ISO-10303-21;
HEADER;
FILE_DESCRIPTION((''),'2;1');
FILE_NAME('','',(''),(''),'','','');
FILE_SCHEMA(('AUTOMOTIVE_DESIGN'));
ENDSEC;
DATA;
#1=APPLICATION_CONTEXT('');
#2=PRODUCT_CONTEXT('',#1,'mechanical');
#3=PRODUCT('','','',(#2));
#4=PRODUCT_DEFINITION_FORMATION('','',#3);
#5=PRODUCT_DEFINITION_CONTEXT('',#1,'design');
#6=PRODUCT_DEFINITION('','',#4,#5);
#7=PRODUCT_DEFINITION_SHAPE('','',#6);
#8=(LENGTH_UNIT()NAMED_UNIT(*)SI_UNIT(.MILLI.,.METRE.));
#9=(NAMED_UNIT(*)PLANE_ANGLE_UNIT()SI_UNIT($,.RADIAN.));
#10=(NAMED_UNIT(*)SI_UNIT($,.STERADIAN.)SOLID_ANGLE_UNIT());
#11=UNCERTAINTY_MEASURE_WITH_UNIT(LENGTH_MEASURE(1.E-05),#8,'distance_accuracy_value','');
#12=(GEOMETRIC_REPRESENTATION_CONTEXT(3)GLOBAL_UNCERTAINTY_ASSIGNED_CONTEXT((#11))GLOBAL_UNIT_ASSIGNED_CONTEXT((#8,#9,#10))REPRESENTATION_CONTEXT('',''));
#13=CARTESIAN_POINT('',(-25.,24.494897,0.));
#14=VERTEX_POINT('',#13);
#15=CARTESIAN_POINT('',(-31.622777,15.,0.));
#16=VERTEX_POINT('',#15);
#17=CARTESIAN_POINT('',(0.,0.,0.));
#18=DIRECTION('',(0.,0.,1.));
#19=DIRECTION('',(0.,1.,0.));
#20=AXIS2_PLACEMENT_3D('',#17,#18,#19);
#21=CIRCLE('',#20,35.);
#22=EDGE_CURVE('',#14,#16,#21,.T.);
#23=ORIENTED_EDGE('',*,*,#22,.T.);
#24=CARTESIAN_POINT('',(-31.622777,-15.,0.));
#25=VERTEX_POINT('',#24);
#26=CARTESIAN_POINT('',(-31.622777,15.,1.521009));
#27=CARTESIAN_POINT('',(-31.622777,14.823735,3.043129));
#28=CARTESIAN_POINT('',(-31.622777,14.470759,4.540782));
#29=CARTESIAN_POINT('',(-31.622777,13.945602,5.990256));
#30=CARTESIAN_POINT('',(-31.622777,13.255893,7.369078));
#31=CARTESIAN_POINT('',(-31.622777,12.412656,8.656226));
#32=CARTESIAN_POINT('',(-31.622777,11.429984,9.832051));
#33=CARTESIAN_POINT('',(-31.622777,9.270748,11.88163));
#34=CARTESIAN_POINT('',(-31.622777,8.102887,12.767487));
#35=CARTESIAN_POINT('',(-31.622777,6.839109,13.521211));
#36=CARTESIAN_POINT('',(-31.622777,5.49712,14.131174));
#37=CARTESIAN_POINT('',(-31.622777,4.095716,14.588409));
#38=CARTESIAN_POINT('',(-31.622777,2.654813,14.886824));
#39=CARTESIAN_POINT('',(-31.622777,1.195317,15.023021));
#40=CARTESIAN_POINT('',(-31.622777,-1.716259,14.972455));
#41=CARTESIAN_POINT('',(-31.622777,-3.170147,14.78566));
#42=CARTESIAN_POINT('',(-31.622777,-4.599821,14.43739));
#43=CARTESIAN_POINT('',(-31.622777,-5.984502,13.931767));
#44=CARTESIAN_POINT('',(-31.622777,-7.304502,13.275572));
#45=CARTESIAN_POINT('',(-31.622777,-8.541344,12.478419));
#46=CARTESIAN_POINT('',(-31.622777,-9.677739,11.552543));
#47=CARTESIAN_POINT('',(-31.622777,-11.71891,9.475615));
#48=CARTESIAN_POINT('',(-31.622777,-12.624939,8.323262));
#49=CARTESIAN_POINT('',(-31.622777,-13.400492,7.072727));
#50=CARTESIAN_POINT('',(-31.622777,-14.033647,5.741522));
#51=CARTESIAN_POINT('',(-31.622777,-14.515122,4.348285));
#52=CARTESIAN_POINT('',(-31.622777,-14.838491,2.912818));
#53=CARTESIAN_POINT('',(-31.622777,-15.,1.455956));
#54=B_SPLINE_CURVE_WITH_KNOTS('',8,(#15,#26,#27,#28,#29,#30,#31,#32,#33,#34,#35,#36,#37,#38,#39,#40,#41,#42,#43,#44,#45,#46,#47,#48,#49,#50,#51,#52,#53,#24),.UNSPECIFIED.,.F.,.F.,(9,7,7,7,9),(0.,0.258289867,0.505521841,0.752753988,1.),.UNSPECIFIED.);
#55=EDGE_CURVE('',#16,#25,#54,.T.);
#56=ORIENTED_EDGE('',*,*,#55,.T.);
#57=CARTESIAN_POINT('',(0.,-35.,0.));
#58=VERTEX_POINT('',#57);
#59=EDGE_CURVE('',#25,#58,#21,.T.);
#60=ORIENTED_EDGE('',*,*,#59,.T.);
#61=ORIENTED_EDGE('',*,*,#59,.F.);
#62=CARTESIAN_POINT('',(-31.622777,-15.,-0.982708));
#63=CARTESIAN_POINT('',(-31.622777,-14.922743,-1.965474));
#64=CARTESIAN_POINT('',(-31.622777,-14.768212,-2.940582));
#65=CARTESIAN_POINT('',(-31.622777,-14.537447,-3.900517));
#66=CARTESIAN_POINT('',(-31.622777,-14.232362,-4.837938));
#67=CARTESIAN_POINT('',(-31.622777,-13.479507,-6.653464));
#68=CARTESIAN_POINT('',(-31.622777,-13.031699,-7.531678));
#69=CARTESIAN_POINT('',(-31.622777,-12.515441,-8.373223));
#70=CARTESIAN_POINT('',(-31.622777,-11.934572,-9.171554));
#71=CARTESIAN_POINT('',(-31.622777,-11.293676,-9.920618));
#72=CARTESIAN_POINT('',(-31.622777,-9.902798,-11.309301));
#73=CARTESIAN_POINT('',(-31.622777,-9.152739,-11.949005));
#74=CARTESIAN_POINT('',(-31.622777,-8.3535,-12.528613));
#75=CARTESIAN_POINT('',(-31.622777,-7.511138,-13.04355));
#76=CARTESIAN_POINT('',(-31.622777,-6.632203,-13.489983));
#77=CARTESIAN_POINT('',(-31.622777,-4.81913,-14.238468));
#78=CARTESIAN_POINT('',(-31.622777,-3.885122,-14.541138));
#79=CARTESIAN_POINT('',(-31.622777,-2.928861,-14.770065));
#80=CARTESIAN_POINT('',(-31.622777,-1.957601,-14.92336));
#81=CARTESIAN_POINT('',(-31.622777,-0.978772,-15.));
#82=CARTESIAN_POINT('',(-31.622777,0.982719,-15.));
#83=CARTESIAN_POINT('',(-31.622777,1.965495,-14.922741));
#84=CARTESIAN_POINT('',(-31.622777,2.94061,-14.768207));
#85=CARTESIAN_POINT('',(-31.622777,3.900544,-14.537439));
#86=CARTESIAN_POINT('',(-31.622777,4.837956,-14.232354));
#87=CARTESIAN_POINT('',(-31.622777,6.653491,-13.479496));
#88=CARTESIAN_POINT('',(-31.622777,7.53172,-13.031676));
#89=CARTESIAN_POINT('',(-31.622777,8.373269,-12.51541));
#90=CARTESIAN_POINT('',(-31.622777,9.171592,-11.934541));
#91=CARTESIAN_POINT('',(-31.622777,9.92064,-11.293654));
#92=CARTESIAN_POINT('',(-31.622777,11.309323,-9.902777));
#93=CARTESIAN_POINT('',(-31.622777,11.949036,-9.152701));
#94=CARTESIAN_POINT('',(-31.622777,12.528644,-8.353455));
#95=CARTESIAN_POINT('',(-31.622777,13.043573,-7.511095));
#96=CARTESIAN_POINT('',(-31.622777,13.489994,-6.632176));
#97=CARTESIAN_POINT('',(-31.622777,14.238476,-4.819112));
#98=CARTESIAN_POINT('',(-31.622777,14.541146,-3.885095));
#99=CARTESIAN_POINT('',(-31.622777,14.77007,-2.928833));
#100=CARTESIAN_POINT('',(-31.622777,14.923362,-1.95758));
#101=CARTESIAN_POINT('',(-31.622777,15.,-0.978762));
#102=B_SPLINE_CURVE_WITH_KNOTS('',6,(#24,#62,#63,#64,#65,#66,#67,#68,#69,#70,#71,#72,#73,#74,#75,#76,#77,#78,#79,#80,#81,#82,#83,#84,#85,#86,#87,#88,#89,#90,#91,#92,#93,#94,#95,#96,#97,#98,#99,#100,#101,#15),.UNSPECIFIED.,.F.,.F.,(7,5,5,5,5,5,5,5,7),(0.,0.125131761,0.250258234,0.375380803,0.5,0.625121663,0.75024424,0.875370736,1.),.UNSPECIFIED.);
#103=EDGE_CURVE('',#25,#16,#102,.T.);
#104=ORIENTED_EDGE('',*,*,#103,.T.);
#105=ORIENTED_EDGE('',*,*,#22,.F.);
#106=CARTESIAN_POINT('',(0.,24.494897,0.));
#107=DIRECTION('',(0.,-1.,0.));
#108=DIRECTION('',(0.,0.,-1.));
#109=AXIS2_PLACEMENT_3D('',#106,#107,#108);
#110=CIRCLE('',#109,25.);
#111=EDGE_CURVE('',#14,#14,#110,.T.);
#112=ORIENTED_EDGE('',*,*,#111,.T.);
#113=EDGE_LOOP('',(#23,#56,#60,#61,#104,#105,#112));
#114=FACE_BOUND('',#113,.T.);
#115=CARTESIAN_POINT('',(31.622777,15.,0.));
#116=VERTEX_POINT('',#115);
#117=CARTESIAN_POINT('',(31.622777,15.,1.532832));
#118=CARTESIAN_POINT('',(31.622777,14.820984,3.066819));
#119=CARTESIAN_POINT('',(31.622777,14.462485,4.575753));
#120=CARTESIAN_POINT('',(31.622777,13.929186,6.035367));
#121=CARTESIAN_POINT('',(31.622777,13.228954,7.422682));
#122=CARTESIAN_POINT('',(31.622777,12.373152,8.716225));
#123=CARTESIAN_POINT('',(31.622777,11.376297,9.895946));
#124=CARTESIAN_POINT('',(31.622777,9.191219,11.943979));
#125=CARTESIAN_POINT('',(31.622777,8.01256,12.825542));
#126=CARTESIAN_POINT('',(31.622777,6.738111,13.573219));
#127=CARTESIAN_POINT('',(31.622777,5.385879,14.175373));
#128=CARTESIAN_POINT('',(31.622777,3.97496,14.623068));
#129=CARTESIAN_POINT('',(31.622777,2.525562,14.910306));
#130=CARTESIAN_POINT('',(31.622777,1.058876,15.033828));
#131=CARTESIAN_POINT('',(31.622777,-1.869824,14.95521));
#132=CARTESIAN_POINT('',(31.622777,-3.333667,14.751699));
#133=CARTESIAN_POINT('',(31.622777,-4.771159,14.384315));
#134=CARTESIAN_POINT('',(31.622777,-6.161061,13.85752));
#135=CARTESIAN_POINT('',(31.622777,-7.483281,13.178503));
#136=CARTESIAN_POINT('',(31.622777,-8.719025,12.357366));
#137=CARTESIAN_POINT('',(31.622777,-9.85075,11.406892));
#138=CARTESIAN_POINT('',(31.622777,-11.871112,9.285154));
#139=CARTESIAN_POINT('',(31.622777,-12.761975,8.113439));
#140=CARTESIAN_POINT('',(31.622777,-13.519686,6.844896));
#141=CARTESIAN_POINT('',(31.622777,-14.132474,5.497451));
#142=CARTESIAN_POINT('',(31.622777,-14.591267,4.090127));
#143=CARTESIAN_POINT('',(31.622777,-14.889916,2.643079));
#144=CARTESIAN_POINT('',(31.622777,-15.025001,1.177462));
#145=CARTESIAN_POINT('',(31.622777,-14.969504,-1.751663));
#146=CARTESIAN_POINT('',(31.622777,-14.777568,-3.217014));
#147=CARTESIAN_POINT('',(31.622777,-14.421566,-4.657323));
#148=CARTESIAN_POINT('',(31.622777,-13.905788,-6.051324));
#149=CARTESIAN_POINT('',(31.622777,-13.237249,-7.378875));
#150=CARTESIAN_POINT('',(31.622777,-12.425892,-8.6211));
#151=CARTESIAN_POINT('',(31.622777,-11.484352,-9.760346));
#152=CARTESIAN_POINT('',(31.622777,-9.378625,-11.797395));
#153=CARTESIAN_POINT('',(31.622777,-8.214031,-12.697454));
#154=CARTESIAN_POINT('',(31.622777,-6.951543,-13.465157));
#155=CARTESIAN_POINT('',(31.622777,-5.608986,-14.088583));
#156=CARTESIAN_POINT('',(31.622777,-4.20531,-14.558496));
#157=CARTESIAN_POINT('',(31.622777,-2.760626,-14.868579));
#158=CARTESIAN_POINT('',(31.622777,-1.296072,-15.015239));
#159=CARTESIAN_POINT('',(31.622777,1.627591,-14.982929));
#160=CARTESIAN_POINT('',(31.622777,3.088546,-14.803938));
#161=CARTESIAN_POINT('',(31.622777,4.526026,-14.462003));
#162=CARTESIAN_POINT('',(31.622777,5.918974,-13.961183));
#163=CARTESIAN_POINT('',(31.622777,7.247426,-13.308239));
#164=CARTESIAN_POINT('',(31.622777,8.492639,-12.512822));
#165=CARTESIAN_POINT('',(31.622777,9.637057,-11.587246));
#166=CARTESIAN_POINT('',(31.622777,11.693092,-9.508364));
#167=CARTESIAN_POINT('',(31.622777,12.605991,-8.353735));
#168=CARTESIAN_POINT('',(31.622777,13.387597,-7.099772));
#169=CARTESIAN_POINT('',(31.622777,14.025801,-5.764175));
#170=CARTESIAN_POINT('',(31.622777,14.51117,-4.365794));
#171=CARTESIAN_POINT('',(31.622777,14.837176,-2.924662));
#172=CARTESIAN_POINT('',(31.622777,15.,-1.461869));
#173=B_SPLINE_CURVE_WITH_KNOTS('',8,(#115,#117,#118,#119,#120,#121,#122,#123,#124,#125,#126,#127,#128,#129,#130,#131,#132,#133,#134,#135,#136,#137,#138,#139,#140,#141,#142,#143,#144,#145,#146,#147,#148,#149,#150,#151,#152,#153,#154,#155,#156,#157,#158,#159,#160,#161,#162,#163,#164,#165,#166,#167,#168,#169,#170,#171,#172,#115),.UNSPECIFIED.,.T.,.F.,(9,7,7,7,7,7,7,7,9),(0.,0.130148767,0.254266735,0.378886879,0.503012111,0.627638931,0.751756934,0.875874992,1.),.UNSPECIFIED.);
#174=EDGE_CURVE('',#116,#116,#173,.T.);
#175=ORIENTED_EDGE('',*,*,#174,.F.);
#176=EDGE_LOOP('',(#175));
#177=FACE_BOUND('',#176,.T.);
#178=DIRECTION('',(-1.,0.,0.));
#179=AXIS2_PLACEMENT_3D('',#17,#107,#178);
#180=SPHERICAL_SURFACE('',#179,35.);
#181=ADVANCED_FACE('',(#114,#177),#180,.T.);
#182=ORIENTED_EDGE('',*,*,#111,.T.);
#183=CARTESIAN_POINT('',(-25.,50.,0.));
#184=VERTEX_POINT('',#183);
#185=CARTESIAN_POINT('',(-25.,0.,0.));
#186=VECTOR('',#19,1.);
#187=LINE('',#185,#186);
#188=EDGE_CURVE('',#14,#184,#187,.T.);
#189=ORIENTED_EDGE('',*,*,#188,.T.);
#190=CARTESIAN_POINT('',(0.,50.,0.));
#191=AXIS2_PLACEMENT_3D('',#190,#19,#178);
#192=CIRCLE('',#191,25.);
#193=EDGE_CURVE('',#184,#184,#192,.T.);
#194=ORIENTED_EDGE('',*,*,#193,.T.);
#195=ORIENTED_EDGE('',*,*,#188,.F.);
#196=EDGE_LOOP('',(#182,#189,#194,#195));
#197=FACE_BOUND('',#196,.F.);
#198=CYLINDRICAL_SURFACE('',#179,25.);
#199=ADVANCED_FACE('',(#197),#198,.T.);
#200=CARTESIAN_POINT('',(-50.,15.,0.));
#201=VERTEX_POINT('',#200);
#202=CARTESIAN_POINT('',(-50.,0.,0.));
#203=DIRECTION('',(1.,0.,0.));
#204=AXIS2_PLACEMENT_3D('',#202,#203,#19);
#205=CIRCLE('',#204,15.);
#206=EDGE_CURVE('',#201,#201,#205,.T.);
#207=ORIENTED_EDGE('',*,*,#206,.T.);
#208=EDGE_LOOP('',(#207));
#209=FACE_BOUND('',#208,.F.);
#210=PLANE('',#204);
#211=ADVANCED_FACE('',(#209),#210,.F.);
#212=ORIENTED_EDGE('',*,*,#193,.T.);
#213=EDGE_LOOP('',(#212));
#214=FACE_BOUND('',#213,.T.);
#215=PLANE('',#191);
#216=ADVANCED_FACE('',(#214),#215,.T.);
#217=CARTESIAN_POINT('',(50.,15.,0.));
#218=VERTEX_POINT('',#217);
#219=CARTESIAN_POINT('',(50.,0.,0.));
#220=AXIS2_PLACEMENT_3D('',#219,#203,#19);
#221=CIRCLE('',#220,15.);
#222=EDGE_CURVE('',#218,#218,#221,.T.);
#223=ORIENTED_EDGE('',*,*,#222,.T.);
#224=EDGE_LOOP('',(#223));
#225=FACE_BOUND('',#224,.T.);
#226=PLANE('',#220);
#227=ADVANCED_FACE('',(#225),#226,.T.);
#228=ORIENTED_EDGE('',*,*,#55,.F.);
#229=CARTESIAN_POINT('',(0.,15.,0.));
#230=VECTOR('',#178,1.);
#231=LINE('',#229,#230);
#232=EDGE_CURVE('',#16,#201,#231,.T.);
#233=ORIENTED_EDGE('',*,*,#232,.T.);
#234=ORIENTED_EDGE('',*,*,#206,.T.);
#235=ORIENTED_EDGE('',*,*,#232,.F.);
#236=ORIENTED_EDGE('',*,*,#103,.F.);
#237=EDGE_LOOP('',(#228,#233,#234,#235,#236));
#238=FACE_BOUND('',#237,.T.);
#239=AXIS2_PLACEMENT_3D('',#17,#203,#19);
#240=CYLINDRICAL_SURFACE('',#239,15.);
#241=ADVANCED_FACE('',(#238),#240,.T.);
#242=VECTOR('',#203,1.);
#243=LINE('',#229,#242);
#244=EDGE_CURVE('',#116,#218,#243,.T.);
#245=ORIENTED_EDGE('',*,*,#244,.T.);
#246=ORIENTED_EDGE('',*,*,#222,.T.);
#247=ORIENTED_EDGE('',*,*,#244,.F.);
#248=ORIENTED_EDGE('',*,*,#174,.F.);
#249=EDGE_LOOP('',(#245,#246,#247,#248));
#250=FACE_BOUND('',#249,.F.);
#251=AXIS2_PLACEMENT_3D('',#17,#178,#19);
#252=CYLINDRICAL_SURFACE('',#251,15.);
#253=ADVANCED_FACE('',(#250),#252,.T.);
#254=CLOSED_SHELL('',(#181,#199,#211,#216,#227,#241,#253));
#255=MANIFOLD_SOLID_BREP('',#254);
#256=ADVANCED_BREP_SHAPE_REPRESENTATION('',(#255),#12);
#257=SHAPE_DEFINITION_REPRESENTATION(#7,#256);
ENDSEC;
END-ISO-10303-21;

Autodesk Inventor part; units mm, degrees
ref_plane "XY Plane" through (0, 0, 0) normal (0, 0, 1) x (1, 0, 0)
sketch "スケッチ1" plane through (0, 0, 0) normal (0, 0, 1) x (1, 0, 0)
  arc A0 (0, 35) -> (0, -35) centre (0, 0) ccw
  line L0 (0, 35) -> (0, -35)
  dimension "d0" = 70
revolve "回転1" add sketch "スケッチ1" angle 360 about axis through (0, 35, 0) along (0, -1, 0)
sketch "スケッチ2" plane through (0, 0, 0) normal (0, 1, 0) x (-1, 0, 0)
  circle A0 centre (0, 0) radius 25
  dimension "d2" = 50
extrude "押し出し1" add sketch "スケッチ2" along normal blind 50
sketch "スケッチ3" plane through (0, 0, 0) normal (1, 0, 0) x (0, 1, 0)
  circle A0 centre (0, 0) radius 15
  dimension "d5" = 30
extrude "押し出し2" add sketch "スケッチ3" along normal mid plane 100
sketch "スケッチ4" plane through (0, 0, 0) normal (0, 0, 1) x (1, 0, 0)
  circle A0 centre (0, 0) radius 15
  dimension "d8" = 30
extrude "押し出し3" [suppressed]
properties part number "UpperarmPipt"
